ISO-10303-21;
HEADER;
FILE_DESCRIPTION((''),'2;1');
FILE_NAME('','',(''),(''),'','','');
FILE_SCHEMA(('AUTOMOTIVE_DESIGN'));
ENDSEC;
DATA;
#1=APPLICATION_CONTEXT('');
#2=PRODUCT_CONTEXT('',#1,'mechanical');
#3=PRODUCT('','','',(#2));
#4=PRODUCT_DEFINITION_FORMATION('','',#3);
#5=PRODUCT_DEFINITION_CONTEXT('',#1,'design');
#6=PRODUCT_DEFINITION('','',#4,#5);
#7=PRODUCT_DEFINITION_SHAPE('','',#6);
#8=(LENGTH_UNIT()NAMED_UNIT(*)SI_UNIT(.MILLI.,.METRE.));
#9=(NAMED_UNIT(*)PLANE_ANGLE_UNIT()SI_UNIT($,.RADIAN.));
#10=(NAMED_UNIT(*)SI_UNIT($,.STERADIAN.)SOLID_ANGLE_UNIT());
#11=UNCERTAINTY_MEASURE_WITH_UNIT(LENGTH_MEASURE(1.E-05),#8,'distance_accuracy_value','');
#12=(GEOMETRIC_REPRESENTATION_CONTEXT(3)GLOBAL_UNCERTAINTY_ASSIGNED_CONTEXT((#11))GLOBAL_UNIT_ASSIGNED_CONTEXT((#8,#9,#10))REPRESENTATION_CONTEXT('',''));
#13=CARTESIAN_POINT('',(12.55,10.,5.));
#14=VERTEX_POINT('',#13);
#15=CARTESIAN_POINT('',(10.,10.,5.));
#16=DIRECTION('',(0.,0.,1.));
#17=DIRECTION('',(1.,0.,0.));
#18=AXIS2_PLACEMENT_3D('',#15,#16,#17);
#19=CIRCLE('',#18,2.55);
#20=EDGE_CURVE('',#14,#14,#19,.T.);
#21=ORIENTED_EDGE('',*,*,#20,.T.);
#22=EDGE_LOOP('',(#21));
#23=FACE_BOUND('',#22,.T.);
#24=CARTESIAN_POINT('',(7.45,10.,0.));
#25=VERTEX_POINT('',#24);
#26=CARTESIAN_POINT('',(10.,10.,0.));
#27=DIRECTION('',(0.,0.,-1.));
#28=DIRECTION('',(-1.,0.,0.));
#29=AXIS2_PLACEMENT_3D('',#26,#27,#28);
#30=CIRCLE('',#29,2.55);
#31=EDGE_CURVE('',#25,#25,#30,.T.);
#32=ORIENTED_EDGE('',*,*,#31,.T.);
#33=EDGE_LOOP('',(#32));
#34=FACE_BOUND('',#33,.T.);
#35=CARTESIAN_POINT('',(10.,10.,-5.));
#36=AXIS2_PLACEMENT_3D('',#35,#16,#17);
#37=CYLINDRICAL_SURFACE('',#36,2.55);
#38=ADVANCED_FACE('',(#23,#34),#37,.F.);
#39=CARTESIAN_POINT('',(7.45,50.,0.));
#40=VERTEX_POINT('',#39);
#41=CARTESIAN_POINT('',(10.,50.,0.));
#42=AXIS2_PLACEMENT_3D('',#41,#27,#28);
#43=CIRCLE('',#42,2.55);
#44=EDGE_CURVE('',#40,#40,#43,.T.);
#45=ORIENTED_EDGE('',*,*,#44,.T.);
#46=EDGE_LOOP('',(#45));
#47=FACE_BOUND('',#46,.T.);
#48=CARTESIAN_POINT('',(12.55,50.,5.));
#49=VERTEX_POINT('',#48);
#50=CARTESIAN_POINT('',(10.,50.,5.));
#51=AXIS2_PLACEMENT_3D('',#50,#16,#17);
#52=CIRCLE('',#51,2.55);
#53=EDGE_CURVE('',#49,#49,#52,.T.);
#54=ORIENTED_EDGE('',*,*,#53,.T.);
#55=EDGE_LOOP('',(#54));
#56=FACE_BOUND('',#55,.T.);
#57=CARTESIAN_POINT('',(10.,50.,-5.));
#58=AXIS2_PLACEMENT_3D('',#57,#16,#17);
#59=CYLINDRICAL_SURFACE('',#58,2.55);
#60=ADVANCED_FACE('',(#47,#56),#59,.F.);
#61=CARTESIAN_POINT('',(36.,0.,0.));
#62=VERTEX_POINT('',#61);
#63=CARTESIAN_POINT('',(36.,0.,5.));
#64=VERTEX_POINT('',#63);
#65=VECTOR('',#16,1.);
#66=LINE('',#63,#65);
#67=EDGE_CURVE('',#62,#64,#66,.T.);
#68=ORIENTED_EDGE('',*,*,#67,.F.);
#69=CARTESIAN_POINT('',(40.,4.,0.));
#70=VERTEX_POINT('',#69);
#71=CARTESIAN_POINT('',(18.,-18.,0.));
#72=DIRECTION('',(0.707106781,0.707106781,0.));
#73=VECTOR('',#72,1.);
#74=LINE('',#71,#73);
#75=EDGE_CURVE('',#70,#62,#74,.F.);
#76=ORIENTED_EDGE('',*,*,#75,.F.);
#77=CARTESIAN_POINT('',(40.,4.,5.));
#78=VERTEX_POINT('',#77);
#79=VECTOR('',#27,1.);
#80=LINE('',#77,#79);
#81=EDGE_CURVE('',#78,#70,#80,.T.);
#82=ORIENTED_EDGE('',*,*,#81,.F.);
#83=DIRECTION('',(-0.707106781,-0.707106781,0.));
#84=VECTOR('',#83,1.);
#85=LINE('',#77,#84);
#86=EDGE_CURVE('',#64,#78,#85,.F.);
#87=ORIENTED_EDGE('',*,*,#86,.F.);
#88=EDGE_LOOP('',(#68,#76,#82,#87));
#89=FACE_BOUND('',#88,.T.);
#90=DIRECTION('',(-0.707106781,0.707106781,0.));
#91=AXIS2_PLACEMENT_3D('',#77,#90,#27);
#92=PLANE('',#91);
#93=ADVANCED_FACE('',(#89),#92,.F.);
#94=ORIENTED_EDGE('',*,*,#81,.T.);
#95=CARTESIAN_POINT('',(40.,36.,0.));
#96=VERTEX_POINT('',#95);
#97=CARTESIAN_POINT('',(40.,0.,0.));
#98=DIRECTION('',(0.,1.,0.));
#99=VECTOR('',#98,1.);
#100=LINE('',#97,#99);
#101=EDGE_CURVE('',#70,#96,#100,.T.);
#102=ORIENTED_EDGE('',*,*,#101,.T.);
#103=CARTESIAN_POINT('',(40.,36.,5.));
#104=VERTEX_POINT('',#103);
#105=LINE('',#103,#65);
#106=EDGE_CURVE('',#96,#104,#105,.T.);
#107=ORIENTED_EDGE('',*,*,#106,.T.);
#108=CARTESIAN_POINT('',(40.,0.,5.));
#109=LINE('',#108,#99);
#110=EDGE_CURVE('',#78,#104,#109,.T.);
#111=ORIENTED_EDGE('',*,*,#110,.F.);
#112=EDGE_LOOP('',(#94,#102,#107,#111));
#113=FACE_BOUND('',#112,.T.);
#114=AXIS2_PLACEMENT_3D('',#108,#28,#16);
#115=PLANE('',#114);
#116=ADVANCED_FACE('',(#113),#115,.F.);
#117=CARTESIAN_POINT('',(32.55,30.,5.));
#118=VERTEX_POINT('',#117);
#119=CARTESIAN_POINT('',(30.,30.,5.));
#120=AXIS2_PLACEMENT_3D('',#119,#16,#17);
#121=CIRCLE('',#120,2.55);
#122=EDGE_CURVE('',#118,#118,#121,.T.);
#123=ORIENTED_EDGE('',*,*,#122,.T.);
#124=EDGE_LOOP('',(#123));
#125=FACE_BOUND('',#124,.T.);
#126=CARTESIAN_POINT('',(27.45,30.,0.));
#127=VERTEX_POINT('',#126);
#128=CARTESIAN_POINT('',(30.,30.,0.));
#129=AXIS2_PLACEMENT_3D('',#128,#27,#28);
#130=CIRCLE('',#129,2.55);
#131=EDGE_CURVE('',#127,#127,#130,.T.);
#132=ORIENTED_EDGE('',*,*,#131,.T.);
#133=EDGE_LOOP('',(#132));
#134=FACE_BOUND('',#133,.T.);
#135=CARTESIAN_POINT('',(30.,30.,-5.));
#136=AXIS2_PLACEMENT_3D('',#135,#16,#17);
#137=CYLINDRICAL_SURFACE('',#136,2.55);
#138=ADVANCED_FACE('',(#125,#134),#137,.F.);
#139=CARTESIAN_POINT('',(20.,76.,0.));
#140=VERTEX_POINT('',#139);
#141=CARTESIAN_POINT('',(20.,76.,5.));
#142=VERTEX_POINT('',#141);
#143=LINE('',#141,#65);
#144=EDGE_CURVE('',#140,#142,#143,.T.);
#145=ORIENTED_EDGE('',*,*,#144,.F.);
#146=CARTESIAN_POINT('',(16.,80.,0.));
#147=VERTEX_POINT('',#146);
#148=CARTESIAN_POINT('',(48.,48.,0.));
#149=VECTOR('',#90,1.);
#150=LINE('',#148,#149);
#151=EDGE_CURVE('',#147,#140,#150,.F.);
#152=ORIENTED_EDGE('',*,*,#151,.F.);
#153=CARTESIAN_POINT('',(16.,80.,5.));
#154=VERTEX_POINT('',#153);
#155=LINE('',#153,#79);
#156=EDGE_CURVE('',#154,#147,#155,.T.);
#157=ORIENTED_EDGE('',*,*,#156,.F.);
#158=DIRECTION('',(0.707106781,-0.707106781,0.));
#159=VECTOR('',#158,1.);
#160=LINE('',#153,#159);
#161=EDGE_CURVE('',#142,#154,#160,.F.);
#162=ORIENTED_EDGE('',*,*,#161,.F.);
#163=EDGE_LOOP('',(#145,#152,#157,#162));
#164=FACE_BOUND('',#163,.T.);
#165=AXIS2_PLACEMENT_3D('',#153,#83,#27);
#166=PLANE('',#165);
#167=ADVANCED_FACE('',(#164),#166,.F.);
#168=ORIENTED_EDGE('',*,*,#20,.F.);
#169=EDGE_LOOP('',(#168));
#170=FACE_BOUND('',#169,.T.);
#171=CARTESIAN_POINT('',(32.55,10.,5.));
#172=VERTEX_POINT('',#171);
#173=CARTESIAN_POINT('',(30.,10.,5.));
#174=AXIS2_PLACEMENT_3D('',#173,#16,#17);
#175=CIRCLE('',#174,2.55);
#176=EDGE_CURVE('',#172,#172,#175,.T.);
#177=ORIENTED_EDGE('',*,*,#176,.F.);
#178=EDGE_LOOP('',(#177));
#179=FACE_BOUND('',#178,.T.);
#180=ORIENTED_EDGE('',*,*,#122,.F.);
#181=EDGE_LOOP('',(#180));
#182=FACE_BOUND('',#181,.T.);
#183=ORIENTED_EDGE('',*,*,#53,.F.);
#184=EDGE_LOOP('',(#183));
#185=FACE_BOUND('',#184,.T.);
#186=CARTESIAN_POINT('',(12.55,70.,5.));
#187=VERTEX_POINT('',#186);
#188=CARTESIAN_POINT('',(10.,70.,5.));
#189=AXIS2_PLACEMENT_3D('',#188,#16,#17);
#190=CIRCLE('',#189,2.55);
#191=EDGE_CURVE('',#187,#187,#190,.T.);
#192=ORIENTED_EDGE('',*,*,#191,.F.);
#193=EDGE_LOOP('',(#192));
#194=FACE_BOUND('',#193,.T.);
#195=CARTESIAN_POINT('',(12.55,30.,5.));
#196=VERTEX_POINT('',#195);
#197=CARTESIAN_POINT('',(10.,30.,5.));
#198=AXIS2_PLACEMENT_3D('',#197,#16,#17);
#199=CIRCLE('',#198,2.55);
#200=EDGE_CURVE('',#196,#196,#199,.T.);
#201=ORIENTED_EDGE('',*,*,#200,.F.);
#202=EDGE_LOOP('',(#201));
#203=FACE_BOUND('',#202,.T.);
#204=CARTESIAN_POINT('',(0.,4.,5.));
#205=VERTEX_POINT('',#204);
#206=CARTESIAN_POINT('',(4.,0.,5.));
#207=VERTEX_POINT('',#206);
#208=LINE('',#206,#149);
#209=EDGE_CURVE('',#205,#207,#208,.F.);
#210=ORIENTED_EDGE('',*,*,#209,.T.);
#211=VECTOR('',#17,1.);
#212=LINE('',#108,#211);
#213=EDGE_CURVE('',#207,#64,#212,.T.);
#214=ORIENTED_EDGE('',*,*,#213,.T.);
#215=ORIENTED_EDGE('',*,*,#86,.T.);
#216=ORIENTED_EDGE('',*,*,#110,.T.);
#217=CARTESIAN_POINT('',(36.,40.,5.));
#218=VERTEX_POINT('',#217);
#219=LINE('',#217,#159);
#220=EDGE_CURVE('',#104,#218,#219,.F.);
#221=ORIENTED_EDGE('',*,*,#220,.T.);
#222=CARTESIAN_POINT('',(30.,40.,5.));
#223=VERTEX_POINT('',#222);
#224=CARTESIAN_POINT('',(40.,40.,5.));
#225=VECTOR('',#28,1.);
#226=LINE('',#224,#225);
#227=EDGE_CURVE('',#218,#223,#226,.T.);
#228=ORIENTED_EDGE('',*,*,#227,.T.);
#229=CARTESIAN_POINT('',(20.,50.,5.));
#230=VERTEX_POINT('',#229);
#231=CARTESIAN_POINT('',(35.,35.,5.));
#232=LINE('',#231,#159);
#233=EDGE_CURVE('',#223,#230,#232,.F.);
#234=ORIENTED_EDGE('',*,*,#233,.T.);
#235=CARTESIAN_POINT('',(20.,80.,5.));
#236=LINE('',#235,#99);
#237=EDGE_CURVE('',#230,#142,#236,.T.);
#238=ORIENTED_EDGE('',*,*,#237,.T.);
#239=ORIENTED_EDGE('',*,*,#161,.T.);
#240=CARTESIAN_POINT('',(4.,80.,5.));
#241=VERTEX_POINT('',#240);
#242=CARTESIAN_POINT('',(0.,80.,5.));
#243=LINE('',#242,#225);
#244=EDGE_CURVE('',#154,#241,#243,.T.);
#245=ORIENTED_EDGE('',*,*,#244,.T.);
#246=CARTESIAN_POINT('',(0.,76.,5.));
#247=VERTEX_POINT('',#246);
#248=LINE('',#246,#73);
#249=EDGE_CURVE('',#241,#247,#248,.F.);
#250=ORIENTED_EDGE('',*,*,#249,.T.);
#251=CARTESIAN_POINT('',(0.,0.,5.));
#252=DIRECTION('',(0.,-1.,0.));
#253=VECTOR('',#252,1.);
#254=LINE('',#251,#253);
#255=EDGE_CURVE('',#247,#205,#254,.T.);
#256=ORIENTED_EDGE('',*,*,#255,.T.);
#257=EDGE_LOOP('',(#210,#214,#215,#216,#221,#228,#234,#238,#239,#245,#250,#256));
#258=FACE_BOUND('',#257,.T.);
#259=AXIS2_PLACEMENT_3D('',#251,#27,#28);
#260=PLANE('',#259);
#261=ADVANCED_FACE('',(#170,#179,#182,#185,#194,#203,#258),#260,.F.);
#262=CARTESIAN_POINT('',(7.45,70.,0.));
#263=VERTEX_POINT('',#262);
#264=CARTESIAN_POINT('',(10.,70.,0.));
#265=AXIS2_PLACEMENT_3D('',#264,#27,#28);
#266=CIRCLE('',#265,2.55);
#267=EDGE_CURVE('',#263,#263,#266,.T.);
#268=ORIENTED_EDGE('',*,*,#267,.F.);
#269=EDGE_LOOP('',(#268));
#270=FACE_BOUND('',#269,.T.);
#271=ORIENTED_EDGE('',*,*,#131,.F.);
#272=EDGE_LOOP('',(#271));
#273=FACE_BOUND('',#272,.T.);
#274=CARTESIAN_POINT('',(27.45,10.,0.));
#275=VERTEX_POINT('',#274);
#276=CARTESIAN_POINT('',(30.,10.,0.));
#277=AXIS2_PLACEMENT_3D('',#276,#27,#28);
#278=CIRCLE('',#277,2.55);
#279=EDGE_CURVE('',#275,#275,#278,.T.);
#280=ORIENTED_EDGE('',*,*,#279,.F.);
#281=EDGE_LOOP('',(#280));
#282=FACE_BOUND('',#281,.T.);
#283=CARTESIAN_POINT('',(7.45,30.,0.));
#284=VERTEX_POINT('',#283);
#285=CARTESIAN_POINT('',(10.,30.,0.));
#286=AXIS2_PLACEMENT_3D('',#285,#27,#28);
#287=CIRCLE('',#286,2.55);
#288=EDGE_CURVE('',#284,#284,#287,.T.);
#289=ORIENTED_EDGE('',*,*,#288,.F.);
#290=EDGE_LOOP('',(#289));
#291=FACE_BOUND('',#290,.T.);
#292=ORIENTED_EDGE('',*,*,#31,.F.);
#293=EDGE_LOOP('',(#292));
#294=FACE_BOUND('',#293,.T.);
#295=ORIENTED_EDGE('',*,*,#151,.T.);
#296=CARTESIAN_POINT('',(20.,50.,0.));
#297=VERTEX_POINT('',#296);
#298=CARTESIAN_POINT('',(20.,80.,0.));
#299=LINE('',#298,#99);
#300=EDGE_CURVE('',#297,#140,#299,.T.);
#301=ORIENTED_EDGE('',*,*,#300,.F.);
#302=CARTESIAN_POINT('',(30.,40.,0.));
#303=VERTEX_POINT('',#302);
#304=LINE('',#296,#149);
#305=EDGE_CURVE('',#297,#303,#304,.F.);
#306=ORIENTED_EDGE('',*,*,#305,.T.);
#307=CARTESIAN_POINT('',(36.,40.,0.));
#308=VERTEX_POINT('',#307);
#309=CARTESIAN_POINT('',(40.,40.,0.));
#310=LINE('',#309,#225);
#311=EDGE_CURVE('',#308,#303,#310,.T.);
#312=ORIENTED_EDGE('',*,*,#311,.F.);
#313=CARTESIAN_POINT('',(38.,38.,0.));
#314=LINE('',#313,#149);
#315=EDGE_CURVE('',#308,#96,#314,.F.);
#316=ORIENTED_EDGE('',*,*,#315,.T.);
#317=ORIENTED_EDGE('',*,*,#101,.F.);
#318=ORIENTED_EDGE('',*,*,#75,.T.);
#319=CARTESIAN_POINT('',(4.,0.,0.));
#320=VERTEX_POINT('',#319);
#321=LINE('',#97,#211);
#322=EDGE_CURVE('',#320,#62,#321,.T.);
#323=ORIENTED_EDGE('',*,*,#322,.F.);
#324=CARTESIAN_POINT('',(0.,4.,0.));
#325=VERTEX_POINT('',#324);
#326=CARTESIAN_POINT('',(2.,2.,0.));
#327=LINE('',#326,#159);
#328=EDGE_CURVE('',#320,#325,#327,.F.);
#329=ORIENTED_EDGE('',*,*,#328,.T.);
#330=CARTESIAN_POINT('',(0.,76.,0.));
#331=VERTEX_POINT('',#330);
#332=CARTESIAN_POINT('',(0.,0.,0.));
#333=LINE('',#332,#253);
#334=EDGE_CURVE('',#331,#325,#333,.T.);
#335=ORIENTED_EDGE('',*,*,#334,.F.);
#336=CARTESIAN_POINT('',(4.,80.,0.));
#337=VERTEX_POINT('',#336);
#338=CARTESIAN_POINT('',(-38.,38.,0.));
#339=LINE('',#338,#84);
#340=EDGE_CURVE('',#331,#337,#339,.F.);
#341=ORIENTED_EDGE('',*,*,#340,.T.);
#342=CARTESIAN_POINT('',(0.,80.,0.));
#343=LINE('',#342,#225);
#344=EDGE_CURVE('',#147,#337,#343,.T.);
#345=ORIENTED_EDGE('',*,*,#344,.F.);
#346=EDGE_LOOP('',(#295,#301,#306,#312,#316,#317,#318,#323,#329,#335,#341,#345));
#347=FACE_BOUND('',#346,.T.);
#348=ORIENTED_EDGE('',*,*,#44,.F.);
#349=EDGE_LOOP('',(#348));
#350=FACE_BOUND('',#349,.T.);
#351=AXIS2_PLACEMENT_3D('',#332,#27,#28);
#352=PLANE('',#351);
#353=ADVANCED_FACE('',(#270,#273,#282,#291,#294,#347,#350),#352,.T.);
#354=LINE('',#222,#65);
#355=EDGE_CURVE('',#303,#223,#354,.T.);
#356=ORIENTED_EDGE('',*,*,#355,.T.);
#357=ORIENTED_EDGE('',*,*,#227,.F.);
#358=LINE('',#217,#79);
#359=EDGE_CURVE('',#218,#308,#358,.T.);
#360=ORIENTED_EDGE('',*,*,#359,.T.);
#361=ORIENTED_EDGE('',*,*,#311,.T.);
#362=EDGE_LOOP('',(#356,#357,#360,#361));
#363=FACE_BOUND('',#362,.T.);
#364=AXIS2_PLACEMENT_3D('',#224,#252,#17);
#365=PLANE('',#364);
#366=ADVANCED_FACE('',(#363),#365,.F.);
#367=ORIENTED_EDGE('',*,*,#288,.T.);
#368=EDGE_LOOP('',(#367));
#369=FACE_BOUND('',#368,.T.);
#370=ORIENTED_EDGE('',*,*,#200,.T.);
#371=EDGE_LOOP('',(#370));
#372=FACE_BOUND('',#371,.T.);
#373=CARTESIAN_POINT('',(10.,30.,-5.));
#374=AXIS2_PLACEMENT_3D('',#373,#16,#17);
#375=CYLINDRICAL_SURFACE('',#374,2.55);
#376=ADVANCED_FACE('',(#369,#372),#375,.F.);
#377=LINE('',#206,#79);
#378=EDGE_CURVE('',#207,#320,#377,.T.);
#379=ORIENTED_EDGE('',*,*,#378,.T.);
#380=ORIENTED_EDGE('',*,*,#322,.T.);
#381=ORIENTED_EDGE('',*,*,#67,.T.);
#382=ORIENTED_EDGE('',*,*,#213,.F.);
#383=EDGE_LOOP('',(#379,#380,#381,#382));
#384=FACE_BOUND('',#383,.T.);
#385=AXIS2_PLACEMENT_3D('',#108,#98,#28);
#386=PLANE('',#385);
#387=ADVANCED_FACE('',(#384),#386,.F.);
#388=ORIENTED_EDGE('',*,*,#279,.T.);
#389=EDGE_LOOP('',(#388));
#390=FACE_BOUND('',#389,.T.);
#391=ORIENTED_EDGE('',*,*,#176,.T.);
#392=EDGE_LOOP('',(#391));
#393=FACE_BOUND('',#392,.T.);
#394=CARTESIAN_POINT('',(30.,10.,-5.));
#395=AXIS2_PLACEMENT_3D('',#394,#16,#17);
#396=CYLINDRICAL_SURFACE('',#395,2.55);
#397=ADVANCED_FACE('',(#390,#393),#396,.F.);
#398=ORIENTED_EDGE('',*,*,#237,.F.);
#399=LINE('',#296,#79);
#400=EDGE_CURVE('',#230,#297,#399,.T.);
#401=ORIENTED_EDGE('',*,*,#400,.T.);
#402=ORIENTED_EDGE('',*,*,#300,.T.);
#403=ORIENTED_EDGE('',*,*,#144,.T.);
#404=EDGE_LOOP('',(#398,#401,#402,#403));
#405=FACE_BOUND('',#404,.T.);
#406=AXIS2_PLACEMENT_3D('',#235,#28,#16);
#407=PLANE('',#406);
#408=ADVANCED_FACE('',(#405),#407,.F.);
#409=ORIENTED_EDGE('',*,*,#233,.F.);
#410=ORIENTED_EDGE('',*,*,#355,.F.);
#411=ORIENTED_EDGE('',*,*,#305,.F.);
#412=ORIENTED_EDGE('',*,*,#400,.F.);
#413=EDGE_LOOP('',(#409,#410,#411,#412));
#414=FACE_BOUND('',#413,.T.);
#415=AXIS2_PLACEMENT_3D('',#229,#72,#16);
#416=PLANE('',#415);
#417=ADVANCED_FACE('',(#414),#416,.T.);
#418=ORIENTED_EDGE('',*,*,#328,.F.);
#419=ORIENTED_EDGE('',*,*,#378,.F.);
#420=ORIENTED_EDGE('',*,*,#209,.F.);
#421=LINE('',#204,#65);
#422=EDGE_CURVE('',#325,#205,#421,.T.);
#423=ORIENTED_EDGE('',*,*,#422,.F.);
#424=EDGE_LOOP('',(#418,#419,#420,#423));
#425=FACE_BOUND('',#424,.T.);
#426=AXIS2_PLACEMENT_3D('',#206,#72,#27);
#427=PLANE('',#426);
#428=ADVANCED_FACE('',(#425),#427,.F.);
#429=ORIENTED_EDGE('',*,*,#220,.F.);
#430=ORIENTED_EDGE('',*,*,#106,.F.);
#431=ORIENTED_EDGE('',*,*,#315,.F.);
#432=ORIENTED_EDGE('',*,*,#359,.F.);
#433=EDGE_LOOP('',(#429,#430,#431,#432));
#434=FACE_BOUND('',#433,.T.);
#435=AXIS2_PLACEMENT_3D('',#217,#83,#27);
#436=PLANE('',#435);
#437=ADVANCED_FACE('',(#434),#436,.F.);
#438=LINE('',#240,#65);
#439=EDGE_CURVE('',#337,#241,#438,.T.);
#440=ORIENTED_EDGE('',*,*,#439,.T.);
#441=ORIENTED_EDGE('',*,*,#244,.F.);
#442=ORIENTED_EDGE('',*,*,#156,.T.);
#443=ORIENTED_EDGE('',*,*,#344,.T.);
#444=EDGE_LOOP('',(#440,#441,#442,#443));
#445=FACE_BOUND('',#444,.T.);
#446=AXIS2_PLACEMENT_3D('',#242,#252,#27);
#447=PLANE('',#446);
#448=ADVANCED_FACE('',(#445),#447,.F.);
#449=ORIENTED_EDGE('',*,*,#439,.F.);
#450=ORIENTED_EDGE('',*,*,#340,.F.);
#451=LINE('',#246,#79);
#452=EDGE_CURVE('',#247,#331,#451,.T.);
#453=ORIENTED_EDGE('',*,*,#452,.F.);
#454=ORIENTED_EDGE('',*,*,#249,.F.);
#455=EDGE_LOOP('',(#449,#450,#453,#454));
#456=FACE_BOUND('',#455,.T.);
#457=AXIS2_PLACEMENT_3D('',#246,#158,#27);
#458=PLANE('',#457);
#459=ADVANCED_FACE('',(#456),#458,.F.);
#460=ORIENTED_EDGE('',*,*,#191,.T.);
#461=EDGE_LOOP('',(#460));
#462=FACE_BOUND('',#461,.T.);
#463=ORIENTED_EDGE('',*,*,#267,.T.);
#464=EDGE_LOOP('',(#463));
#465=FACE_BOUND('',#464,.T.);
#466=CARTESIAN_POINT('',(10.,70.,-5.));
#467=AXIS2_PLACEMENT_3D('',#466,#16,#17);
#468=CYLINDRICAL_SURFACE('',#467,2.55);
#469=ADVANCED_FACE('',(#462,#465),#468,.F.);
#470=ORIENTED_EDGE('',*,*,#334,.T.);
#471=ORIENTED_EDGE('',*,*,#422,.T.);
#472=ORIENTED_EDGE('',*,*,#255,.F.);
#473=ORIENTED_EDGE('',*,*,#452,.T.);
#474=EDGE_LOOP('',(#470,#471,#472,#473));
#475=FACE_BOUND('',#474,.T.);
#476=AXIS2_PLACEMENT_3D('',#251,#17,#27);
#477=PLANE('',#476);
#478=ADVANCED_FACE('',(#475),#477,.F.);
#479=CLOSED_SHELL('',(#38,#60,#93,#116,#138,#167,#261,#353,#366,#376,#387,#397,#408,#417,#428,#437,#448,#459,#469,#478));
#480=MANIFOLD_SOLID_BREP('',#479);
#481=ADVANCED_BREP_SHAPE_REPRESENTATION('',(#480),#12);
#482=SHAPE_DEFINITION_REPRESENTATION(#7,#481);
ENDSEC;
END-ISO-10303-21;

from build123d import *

# Parameters (mm, degrees)
BOSS_EXTRUDE1_DEPTH = 5
SKETCH2_R           = 2.55
CUT_EXTRUDE1_DEPTH  = 10
CHAMFER1_SIZE       = 10
CHAMFER2_SIZE       = 4
CHAMFER3_SIZE       = 4


with BuildPart() as part:
    # Sketch1 → Boss-Extrude1 (new body)
    with BuildSketch(Plane.XY):
        Polygon((0, 0), (0, 80), (20, 80), (20, 40), (40, 40), (40, 0), align=None)
    extrude(amount=BOSS_EXTRUDE1_DEPTH)

    # Sketch2 → Cut-Extrude1 (cut)
    with BuildSketch(Plane.XY.offset(5)):
        with Locations((10, 70)):
            Circle(SKETCH2_R)
        with Locations((10, 50)):
            Circle(SKETCH2_R)
        with Locations((10, 30)):
            Circle(SKETCH2_R)
        with Locations((10, 10)):
            Circle(SKETCH2_R)
        with Locations((30, 30)):
            Circle(SKETCH2_R)
        with Locations((30, 10)):
            Circle(SKETCH2_R)
    extrude(amount=-CUT_EXTRUDE1_DEPTH, mode=Mode.SUBTRACT)

    # Chamfer1
    chamfer1_edges = [part.edges().sort_by_distance(p)[0] for p in [
        (20, 40, 2.5),
    ]]
    chamfer(chamfer1_edges, length=CHAMFER1_SIZE)

    # Chamfer2
    chamfer2_edges = [part.edges().sort_by_distance(p)[0] for p in [
        (20, 80, 2.5),
    ]]
    chamfer(chamfer2_edges, length=CHAMFER2_SIZE)

    # Chamfer3
    chamfer3_edges = [part.edges().sort_by_distance(p)[0] for p in [
        (0, 0, 2.5),
        (0, 80, 2.5),
        (40, 40, 2.5),
        (40, 0, 2.5),
    ]]
    chamfer(chamfer3_edges, length=CHAMFER3_SIZE)


solid = part.part
